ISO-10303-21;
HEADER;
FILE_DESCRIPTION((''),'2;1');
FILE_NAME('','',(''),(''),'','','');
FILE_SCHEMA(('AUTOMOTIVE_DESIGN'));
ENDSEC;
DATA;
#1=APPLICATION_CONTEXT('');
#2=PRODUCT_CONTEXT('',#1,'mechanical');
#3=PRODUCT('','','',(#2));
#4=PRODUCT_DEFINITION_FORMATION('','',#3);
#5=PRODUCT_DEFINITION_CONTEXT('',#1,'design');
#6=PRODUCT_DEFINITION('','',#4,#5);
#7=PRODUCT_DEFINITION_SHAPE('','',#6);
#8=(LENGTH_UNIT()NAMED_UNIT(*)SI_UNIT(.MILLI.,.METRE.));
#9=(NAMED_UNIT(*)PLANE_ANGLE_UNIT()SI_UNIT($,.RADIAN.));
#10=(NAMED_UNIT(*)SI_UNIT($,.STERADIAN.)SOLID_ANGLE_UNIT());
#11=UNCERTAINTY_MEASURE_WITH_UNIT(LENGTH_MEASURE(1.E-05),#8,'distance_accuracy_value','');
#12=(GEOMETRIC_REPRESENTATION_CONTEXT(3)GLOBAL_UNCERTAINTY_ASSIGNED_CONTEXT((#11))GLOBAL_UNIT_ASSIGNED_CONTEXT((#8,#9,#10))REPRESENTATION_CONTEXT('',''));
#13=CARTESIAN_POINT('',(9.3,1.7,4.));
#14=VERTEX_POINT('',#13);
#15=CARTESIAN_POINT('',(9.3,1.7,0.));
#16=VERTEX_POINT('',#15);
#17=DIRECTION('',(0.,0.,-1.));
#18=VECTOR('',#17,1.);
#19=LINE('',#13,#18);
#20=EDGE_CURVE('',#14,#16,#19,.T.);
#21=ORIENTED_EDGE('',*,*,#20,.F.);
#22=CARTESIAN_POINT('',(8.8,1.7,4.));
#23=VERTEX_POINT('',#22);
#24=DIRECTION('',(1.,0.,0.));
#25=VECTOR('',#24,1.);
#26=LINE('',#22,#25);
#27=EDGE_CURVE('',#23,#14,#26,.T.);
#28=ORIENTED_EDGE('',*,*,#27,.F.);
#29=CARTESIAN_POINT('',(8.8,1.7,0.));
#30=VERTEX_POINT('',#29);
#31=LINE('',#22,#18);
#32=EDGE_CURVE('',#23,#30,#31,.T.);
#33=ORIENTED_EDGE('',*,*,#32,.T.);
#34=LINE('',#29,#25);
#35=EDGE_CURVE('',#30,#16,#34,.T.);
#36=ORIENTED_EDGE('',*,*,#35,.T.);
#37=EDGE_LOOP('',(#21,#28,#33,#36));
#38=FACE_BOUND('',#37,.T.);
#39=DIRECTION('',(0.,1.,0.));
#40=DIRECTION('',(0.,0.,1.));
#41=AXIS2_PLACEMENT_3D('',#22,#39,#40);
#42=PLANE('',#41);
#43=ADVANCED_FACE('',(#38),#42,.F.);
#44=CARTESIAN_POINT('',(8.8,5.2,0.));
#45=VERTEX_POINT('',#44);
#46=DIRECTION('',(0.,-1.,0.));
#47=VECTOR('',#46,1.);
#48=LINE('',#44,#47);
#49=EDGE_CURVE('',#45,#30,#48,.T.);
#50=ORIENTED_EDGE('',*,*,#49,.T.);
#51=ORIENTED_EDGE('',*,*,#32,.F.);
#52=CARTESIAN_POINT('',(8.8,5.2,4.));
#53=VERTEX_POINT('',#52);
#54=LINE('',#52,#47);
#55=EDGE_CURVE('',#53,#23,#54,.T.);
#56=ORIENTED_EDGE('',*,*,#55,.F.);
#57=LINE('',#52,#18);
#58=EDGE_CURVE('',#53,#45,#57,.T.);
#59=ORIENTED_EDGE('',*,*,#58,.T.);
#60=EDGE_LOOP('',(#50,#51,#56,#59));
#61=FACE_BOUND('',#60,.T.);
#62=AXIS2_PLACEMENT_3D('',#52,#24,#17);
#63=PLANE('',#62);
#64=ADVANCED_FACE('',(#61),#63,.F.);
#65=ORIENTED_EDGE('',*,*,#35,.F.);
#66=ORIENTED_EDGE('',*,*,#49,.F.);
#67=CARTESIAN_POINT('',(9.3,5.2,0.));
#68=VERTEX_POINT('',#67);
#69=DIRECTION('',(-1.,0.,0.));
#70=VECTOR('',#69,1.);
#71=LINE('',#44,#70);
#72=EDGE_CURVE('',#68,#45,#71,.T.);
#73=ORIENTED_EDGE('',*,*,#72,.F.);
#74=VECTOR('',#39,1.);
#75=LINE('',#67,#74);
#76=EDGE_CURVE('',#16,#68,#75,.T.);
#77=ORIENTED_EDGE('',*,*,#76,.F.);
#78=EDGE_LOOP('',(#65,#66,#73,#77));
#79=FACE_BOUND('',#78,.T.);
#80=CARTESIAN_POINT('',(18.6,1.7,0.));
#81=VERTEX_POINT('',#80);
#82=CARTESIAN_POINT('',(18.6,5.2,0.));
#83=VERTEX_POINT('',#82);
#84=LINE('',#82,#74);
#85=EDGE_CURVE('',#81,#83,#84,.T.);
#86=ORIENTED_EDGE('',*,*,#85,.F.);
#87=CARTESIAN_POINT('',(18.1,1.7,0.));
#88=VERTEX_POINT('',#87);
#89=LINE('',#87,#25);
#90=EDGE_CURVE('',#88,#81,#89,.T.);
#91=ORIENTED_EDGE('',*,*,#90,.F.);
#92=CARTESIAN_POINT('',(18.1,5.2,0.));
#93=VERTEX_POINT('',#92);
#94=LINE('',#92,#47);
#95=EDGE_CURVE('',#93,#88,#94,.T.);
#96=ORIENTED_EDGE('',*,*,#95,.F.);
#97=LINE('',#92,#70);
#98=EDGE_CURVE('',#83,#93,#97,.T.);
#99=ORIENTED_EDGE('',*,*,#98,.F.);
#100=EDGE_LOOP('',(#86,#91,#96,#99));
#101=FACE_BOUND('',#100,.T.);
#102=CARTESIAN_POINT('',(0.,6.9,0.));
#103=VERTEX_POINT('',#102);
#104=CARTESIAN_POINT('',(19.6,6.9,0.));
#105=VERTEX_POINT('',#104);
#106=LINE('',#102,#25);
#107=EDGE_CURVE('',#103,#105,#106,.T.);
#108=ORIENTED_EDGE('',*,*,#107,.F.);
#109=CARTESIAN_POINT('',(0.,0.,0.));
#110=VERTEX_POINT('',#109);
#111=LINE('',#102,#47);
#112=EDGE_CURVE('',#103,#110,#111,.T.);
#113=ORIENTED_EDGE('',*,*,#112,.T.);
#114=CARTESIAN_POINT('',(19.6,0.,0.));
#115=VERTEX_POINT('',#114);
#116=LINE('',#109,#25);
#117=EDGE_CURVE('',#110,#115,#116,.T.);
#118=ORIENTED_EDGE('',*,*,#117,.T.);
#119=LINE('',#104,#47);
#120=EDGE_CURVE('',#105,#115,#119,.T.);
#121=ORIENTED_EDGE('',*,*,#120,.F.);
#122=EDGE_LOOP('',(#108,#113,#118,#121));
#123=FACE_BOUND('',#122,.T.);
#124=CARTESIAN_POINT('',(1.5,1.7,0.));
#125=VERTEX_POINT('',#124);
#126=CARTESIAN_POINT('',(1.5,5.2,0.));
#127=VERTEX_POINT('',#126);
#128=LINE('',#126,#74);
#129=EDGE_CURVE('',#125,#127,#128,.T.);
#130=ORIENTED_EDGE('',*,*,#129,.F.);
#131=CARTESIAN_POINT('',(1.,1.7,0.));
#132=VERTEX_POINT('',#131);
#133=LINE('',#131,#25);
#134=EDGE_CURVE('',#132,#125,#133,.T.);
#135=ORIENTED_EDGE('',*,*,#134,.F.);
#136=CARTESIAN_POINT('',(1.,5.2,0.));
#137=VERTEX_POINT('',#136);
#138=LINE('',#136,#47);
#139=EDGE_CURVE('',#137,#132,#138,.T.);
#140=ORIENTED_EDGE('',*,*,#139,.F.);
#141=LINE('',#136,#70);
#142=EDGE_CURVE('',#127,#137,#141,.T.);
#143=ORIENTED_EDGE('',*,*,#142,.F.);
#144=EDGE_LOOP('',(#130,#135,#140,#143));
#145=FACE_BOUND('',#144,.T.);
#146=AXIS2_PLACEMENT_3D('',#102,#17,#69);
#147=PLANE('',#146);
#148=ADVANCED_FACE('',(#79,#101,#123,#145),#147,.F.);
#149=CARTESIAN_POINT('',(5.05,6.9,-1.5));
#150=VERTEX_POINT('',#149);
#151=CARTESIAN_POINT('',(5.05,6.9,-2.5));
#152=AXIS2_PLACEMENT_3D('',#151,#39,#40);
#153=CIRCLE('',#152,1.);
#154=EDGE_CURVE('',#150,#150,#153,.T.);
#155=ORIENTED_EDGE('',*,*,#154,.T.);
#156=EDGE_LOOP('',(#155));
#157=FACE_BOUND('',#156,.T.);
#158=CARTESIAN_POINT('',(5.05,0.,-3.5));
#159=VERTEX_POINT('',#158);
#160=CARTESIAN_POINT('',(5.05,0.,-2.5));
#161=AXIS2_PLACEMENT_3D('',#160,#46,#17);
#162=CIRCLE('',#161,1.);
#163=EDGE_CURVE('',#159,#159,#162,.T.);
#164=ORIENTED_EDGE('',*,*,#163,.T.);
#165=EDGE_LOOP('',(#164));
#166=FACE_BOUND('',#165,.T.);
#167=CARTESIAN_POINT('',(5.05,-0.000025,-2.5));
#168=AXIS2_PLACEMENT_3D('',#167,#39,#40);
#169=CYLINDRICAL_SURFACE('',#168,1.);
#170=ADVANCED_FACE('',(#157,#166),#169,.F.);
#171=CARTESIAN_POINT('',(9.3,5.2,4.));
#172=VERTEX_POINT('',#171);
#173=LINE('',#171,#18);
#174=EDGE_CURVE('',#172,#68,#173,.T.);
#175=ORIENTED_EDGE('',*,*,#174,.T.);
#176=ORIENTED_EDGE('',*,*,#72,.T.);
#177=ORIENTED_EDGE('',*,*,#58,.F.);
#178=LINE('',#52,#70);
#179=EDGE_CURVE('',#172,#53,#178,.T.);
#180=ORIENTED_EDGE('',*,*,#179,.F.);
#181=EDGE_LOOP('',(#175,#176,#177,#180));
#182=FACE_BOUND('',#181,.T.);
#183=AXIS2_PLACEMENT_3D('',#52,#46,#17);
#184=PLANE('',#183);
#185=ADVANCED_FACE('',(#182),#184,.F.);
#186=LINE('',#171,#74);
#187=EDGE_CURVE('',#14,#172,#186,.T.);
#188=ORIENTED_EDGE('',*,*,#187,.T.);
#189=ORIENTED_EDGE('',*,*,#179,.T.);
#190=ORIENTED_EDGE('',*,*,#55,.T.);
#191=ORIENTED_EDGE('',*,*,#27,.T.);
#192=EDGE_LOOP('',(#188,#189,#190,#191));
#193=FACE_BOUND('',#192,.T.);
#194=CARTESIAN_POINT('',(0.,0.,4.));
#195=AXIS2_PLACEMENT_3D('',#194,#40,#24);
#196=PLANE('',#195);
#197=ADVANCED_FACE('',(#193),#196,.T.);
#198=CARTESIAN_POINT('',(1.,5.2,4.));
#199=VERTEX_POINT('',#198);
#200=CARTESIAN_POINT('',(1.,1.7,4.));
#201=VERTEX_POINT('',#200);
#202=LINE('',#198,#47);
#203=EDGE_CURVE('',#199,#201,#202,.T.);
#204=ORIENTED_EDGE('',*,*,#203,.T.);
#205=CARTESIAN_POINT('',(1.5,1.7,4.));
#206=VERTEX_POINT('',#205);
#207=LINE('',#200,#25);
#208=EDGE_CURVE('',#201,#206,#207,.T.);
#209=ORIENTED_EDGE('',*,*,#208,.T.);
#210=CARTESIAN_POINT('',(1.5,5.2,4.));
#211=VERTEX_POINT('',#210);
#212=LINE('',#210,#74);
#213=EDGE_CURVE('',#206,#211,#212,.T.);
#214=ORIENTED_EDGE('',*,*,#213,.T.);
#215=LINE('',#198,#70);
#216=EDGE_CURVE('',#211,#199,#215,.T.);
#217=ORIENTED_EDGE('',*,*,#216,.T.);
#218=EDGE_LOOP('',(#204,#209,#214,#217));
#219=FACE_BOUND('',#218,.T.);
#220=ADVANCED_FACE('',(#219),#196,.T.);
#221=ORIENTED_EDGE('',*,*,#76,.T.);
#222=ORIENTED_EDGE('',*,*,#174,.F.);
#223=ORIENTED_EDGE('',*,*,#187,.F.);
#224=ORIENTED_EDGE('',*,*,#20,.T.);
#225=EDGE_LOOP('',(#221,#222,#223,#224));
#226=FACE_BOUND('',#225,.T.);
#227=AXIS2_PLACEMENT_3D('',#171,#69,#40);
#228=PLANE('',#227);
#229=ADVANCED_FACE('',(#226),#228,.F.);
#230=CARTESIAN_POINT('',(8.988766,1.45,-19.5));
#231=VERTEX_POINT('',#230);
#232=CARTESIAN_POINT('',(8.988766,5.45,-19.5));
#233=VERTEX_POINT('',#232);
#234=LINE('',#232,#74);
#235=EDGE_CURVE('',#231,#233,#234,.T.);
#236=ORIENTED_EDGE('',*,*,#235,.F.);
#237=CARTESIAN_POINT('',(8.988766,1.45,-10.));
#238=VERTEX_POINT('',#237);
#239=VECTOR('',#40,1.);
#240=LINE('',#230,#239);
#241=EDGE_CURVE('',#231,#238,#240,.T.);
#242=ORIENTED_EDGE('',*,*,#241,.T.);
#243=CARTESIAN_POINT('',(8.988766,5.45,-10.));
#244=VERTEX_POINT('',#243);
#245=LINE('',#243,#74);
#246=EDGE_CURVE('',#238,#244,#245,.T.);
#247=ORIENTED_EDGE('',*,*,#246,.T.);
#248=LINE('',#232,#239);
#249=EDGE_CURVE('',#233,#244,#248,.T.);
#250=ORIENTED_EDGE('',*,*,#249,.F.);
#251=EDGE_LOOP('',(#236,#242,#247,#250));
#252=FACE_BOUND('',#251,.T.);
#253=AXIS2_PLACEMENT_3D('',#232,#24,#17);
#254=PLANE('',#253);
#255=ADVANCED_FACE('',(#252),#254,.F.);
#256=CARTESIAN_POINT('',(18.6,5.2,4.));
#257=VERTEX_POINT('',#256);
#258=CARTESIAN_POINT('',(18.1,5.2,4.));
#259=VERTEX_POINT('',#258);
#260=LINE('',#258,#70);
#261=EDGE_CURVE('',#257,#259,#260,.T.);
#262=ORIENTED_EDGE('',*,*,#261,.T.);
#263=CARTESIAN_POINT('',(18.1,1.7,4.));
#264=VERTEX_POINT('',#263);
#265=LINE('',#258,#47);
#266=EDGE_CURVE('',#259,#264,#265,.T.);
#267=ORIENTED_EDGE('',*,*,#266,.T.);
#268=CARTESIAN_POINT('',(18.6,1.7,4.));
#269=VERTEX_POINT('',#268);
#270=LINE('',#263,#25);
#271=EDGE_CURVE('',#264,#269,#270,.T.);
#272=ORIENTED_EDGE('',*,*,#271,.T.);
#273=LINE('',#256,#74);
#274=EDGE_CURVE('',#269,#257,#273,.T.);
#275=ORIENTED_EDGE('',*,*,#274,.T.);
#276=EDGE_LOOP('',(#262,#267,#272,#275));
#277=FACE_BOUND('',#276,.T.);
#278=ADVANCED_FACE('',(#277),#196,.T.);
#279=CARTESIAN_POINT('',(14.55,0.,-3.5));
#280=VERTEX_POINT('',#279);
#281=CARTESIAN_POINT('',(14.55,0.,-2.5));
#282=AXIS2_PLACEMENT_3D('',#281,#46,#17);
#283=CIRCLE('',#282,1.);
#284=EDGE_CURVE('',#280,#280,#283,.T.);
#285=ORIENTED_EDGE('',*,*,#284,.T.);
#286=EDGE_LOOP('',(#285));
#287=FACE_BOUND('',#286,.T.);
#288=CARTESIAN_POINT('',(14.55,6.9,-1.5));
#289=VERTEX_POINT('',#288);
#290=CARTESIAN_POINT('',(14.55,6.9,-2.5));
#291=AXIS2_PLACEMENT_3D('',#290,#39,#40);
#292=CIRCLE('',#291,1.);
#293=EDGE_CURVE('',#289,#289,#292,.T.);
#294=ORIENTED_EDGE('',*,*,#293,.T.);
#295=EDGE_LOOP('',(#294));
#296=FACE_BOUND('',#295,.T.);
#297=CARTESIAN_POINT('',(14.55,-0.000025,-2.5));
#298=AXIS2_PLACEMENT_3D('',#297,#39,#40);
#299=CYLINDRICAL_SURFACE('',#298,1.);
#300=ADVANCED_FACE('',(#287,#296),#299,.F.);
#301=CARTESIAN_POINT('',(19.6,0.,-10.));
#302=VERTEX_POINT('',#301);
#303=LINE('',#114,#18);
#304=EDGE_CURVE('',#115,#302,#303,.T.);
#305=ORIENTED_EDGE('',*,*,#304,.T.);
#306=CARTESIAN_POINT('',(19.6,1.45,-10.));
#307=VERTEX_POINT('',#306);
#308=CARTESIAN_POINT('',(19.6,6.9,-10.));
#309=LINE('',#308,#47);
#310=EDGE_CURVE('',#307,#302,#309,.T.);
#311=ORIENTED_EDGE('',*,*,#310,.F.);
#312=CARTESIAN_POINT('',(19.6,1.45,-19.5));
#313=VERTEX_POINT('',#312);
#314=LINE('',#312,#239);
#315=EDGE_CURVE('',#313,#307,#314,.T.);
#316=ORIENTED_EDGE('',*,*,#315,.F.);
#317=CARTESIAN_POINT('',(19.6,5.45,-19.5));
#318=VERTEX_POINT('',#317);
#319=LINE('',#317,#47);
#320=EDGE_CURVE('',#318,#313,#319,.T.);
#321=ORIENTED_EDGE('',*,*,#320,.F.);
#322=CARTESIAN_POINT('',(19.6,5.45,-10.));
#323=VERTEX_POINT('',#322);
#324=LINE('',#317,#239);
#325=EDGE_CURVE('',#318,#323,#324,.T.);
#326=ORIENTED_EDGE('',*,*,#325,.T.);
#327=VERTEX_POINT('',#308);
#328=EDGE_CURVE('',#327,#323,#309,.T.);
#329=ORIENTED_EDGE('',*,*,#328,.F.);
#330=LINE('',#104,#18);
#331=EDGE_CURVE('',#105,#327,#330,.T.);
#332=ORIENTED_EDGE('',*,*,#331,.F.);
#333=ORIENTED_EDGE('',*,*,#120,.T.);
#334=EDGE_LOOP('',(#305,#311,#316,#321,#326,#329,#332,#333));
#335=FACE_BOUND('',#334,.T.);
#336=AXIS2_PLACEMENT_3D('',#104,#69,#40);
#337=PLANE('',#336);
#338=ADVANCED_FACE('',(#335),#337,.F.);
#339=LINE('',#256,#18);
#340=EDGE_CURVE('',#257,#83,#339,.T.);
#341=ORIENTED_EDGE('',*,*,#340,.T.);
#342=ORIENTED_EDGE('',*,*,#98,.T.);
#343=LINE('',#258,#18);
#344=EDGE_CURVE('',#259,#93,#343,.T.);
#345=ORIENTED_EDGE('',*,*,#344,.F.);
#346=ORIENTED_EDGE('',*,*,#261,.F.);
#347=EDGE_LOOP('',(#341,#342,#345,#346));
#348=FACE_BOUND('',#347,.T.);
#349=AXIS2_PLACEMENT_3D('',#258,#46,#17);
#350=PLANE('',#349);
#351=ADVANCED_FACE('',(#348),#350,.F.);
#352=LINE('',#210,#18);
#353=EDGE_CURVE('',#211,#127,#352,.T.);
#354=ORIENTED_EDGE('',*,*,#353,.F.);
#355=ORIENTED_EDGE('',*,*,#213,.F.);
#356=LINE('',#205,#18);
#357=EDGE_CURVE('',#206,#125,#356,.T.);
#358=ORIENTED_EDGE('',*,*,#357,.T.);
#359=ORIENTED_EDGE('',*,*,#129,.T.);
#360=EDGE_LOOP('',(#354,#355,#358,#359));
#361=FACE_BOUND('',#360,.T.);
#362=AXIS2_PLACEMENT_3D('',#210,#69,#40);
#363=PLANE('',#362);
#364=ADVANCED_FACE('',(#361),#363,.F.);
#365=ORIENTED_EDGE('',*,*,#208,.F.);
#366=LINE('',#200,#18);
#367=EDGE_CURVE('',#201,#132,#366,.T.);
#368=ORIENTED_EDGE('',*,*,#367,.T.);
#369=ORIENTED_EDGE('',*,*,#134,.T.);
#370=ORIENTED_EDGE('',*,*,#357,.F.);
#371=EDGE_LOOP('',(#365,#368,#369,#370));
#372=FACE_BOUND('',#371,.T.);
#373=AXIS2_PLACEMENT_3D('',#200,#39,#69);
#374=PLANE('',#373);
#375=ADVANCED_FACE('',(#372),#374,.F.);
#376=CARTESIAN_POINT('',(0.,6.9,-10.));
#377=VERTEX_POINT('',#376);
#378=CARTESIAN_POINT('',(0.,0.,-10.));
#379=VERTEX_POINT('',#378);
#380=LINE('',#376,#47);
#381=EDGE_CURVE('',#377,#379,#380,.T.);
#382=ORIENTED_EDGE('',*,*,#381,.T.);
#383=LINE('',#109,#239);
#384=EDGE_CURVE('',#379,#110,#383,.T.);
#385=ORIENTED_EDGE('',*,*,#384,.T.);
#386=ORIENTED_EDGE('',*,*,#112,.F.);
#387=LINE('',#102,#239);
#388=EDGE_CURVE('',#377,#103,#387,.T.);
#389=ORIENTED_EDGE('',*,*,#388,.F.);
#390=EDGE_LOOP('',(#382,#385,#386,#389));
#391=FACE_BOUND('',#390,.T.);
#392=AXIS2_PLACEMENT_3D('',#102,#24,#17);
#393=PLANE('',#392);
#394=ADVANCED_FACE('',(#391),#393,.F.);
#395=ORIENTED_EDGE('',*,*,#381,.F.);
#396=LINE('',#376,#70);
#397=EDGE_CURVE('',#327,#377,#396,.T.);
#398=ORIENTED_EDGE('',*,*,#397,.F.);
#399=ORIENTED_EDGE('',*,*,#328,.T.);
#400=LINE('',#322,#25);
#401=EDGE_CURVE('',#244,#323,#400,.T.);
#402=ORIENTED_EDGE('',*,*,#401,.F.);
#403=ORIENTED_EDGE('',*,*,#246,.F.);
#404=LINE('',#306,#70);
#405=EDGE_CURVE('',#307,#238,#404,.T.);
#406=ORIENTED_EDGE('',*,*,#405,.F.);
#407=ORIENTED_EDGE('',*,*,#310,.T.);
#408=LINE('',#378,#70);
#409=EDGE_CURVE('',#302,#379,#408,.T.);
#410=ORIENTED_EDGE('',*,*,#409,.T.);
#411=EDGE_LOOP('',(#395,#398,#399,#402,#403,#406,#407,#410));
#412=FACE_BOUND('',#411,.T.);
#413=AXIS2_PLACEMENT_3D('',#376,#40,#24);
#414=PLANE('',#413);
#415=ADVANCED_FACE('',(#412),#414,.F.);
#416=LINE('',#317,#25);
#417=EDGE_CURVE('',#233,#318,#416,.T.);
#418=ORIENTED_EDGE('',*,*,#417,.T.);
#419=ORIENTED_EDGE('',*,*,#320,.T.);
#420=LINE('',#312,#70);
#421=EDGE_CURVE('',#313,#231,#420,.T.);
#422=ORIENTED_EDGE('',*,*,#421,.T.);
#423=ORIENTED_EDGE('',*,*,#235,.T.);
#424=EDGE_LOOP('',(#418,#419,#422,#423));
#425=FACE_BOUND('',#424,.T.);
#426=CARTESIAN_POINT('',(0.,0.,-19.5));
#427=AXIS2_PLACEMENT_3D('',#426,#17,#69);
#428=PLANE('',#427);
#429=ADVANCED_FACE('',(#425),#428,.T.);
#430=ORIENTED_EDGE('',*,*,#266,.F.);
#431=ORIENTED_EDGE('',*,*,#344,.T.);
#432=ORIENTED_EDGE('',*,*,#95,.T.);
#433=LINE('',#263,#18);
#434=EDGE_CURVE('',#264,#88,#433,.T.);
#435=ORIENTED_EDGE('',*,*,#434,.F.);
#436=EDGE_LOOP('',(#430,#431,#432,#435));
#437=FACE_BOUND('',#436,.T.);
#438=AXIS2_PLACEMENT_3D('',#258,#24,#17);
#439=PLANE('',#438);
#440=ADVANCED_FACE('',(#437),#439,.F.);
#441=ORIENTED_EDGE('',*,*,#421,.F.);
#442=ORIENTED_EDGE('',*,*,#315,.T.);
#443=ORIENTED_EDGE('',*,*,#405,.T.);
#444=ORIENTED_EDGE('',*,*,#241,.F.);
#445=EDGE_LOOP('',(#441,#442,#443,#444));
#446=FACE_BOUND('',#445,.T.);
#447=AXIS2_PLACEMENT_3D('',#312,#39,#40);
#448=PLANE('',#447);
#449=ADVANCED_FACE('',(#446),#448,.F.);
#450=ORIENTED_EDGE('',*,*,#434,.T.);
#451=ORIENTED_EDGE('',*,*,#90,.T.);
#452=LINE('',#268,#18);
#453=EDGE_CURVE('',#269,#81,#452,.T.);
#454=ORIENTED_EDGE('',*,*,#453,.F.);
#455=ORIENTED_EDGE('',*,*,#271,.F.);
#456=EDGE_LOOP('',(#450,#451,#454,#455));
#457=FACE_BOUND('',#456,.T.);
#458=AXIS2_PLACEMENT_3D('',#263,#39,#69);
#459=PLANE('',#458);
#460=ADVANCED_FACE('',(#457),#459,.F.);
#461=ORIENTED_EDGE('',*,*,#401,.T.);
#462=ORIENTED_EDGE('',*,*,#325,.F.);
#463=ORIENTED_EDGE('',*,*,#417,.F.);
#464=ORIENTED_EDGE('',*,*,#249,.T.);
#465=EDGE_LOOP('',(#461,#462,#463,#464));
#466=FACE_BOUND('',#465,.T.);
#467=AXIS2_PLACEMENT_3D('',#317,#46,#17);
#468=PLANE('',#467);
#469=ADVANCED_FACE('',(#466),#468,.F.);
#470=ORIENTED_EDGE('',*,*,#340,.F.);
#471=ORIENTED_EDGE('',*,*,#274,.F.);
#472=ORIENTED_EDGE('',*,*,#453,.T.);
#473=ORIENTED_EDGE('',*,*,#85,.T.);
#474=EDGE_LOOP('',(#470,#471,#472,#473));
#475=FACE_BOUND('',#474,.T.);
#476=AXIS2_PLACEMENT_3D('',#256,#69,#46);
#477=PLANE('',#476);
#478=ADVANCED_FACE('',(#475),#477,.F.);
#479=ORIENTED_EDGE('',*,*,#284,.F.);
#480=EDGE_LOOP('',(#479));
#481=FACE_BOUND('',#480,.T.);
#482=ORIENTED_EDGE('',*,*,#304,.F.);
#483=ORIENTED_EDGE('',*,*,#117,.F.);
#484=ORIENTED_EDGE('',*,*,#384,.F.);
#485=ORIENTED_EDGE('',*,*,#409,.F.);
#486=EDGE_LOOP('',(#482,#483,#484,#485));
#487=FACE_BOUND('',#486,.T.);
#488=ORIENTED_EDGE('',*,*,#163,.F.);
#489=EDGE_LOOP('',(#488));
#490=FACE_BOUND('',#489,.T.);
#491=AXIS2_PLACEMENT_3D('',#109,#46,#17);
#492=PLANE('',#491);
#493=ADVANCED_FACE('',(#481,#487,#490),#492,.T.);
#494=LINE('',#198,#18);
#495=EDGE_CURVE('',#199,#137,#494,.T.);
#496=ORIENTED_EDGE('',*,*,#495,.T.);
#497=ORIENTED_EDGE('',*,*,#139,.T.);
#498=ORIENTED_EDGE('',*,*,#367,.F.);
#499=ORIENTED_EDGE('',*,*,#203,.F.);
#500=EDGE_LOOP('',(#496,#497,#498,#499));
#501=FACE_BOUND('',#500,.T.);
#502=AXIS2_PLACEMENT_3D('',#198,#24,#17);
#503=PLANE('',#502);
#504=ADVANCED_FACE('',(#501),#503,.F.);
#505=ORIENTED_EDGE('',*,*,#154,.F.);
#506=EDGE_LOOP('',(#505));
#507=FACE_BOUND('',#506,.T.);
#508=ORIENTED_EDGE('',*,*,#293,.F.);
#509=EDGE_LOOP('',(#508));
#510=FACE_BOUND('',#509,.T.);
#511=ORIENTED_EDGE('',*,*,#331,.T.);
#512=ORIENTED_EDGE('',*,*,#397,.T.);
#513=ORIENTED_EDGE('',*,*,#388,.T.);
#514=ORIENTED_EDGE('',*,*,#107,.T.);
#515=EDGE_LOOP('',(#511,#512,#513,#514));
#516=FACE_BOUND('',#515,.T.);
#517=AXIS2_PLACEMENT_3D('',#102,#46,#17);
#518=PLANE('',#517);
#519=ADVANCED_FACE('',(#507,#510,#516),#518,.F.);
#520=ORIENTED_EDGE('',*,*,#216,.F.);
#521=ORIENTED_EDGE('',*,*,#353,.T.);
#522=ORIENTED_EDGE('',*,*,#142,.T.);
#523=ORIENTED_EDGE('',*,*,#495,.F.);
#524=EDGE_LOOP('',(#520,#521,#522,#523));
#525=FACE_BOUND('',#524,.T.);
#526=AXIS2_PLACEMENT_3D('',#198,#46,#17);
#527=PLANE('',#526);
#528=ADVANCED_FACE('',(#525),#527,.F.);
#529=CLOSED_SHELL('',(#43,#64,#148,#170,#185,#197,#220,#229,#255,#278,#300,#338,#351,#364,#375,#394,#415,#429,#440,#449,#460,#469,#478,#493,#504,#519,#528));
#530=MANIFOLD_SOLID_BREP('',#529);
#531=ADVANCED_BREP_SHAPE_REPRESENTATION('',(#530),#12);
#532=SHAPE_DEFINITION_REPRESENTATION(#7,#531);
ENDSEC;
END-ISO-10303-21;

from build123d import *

# Parameters (mm, degrees)
SKETCH1_W           = 19.6
SKETCH1_H           = 10
BOSS_EXTRUDE1_DEPTH = 6.9
SKETCH2_W           = 0.5
SKETCH2_H           = 3.5
BOSS_EXTRUDE2_DEPTH = 4
SKETCH3_W           = 10.611233712
SKETCH3_H           = 4
BOSS_EXTRUDE3_DEPTH = 9.5
SKETCH5_R           = 1
CUT_EXTRUDE1_DEPTH  = 29.495964627


with BuildPart() as part:
    # Sketch1 → Boss-Extrude1 (new body)
    with BuildSketch(Plane(origin=(0, 0, 0), x_dir=(1, 0, 0), z_dir=(0, 1, 0))):
        with Locations((9.8, 5)):
            Rectangle(SKETCH1_W, SKETCH1_H)
    extrude(amount=BOSS_EXTRUDE1_DEPTH)

    # Sketch2 → Boss-Extrude2 (add)
    with BuildSketch(Plane.XY):
        with Locations((1.25, 3.45)):
            Rectangle(SKETCH2_W, SKETCH2_H)
        with Locations((9.05, 3.45)):
            Rectangle(SKETCH2_W, SKETCH2_H)
        with Locations((18.35, 3.45)):
            Rectangle(SKETCH2_W, SKETCH2_H)
    extrude(amount=BOSS_EXTRUDE2_DEPTH)

    # Sketch3 → Boss-Extrude3 (add)
    with BuildSketch(Plane(origin=(0, 0, -10), x_dir=(-1, 0, 0), z_dir=(0, 0, -1))):
        with Locations((-14.294383144, 3.45)):
            Rectangle(SKETCH3_W, SKETCH3_H)
    extrude(amount=BOSS_EXTRUDE3_DEPTH)

    # Sketch5 → Cut-Extrude1 (cut, through all)
    with BuildSketch(Plane(origin=(0, 6.9, 0), x_dir=(1, 0, 0), z_dir=(0, 1, 0))):
        with Locations(Location((5.05, 2.5, 0), (0, 0, 270))):
            Circle(SKETCH5_R)
        with Locations(Location((14.55, 2.5, 0), (0, 0, 270))):
            Circle(SKETCH5_R)
    extrude(amount=-CUT_EXTRUDE1_DEPTH, mode=Mode.SUBTRACT)


solid = part.part
